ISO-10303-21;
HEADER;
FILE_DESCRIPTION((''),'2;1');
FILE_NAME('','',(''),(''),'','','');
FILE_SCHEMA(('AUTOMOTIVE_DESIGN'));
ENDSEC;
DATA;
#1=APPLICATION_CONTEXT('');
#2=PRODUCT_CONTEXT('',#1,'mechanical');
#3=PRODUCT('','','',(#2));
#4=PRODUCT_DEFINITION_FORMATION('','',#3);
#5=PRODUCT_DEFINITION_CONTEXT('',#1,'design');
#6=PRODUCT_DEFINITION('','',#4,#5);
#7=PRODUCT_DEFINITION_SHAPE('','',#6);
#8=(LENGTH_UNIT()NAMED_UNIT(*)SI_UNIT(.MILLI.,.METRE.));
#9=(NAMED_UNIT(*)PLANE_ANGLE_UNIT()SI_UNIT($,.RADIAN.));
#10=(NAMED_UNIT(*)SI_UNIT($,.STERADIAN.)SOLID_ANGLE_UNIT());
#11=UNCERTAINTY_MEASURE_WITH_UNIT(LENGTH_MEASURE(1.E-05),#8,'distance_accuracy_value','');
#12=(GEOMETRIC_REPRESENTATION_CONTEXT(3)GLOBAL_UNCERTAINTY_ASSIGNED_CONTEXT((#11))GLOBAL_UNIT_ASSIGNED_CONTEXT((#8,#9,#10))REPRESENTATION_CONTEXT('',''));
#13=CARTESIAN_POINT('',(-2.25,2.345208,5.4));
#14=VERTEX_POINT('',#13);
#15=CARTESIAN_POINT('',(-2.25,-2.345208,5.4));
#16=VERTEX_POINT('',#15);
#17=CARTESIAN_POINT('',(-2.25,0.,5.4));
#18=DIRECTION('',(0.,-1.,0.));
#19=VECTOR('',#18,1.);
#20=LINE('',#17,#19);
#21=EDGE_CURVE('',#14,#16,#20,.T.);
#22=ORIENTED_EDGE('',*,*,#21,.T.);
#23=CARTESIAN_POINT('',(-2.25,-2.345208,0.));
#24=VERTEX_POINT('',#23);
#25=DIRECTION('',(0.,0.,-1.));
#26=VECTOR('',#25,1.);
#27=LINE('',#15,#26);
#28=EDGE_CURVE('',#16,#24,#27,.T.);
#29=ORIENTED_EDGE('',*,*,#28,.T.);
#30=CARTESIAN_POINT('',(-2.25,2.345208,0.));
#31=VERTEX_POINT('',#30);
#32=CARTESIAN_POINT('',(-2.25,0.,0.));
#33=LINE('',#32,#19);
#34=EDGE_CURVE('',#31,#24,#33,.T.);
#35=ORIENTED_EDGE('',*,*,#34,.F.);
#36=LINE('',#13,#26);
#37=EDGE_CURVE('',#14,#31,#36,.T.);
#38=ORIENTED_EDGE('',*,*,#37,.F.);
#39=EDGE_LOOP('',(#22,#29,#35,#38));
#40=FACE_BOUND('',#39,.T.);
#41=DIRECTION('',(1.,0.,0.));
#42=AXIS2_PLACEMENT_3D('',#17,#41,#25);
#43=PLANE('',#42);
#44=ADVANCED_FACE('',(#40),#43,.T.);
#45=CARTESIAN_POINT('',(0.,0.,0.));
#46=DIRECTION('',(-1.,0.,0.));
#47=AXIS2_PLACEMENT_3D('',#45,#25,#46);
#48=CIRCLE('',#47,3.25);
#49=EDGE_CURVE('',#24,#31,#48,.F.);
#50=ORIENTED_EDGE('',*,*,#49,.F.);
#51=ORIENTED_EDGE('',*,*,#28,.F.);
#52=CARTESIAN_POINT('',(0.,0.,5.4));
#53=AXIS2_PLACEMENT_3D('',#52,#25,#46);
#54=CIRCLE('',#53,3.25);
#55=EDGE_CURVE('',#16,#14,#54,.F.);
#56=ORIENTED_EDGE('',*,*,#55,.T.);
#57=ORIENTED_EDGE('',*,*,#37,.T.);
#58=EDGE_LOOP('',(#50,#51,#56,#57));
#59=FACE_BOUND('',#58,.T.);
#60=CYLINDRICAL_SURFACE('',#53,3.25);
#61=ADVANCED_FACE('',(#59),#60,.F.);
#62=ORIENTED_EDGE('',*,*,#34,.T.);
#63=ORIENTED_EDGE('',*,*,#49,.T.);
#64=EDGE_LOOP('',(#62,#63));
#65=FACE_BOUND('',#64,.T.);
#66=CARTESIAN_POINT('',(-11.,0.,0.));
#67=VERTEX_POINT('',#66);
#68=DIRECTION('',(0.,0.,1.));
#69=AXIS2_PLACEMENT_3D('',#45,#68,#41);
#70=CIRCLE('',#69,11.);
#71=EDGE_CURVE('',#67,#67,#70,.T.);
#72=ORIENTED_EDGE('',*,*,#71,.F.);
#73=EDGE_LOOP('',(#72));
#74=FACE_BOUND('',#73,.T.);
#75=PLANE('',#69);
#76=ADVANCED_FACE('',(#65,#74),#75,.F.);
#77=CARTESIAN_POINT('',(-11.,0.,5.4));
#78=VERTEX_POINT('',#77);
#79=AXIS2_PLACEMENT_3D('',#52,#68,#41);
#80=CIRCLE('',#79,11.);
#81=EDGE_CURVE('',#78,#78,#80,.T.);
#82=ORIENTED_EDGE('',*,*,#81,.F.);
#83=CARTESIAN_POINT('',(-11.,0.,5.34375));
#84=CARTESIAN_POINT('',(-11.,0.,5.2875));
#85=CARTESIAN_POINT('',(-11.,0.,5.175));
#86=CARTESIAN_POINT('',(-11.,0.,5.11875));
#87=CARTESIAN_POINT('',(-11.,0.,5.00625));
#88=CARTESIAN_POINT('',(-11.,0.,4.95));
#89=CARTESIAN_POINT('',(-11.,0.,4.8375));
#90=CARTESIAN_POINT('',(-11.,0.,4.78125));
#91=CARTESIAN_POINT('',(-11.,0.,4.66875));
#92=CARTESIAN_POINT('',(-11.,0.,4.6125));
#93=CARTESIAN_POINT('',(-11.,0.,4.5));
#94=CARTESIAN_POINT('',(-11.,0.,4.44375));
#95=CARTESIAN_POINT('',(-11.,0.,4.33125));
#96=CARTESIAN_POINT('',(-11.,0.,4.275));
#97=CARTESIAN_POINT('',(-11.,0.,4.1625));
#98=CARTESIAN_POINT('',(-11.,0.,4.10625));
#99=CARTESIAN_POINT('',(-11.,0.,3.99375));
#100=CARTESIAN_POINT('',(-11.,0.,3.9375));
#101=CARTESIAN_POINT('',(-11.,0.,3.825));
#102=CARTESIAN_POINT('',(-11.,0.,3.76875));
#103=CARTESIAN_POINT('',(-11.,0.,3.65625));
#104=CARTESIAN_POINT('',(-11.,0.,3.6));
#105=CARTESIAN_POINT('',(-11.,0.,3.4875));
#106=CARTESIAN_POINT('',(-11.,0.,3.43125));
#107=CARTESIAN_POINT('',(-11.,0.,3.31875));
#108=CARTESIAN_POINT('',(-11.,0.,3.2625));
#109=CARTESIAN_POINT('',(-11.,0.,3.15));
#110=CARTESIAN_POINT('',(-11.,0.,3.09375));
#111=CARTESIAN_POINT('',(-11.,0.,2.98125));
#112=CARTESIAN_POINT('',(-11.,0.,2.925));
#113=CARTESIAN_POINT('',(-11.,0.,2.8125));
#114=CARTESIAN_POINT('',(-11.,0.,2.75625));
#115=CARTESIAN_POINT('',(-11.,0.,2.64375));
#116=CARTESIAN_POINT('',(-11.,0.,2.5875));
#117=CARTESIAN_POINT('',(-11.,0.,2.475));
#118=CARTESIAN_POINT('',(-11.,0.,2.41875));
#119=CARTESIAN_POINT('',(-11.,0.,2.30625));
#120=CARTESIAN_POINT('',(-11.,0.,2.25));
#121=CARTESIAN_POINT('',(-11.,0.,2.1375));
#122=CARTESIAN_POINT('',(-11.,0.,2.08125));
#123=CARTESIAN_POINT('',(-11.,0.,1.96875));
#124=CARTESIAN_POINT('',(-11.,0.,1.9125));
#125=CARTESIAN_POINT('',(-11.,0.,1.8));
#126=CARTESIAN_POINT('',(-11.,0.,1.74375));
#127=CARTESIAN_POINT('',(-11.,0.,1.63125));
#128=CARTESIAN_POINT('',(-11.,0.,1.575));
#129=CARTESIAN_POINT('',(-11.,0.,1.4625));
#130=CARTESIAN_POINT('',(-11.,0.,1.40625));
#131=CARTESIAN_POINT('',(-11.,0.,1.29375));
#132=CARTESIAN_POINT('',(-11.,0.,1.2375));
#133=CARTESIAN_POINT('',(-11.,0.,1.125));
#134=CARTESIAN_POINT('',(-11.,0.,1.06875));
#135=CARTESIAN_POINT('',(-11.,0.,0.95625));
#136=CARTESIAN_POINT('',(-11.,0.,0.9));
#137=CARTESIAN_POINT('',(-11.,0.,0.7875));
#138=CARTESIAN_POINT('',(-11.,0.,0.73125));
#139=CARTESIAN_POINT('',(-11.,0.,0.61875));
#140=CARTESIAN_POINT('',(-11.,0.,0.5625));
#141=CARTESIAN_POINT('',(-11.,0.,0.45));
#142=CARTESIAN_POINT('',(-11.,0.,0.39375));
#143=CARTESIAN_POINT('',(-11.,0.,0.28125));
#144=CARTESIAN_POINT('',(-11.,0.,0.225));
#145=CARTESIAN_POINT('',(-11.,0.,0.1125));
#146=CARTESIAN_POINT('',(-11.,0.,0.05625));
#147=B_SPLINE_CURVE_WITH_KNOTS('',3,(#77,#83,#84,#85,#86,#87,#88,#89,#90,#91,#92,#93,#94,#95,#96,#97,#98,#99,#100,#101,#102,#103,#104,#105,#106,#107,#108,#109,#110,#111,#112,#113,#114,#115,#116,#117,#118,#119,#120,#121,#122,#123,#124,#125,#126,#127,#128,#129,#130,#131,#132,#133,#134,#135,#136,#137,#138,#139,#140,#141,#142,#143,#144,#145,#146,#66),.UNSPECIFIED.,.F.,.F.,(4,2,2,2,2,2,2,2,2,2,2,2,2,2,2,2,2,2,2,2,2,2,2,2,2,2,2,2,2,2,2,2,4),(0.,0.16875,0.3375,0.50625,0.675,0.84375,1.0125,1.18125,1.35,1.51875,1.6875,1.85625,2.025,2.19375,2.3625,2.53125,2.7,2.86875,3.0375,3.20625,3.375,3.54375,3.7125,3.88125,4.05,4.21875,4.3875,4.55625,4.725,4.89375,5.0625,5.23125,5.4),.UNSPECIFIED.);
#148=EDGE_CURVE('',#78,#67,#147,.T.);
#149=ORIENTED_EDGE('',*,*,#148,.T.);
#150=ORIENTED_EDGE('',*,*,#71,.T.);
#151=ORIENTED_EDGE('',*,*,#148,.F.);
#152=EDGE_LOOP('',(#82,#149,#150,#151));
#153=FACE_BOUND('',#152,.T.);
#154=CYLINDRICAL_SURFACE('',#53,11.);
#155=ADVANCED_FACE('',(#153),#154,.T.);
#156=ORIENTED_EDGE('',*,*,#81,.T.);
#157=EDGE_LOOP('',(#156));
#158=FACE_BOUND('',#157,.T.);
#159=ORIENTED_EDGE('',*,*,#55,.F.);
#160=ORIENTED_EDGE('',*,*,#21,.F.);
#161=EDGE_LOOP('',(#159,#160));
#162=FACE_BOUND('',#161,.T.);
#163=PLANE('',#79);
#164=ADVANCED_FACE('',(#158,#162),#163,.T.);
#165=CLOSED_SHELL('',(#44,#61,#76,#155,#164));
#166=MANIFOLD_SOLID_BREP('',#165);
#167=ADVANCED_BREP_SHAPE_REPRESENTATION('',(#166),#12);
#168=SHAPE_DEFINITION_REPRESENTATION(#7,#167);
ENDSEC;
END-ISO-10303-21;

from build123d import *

# Parameters (mm, degrees)
SKETCH2_R           = 10.999999971
BOSS_EXTRUDE1_DEPTH = 5.4
CUT_EXTRUDE4_DEPTH  = 17.466936531


with BuildPart() as part:
    # Sketch2 → Boss-Extrude1 (new body)
    with BuildSketch(Plane.XY):
        with Locations(Location((0, 0, 0), (0, 0, 180))):
            Circle(SKETCH2_R)
    extrude(amount=BOSS_EXTRUDE1_DEPTH)

    # Sketch3 → Cut-Extrude4 (cut, through all)
    with BuildSketch(Plane(origin=(0, 0, 0), x_dir=(-1, 0, 0), z_dir=(0, 0, -1))):
        with BuildLine():
            ThreePointArc((2.25, -2.34520788), (-3.25, 0), (2.25, 2.34520788))
            Line((2.25, 2.34520788), (2.25, -2.34520788))
        make_face()
    extrude(amount=-CUT_EXTRUDE4_DEPTH, mode=Mode.SUBTRACT)


solid = part.part
